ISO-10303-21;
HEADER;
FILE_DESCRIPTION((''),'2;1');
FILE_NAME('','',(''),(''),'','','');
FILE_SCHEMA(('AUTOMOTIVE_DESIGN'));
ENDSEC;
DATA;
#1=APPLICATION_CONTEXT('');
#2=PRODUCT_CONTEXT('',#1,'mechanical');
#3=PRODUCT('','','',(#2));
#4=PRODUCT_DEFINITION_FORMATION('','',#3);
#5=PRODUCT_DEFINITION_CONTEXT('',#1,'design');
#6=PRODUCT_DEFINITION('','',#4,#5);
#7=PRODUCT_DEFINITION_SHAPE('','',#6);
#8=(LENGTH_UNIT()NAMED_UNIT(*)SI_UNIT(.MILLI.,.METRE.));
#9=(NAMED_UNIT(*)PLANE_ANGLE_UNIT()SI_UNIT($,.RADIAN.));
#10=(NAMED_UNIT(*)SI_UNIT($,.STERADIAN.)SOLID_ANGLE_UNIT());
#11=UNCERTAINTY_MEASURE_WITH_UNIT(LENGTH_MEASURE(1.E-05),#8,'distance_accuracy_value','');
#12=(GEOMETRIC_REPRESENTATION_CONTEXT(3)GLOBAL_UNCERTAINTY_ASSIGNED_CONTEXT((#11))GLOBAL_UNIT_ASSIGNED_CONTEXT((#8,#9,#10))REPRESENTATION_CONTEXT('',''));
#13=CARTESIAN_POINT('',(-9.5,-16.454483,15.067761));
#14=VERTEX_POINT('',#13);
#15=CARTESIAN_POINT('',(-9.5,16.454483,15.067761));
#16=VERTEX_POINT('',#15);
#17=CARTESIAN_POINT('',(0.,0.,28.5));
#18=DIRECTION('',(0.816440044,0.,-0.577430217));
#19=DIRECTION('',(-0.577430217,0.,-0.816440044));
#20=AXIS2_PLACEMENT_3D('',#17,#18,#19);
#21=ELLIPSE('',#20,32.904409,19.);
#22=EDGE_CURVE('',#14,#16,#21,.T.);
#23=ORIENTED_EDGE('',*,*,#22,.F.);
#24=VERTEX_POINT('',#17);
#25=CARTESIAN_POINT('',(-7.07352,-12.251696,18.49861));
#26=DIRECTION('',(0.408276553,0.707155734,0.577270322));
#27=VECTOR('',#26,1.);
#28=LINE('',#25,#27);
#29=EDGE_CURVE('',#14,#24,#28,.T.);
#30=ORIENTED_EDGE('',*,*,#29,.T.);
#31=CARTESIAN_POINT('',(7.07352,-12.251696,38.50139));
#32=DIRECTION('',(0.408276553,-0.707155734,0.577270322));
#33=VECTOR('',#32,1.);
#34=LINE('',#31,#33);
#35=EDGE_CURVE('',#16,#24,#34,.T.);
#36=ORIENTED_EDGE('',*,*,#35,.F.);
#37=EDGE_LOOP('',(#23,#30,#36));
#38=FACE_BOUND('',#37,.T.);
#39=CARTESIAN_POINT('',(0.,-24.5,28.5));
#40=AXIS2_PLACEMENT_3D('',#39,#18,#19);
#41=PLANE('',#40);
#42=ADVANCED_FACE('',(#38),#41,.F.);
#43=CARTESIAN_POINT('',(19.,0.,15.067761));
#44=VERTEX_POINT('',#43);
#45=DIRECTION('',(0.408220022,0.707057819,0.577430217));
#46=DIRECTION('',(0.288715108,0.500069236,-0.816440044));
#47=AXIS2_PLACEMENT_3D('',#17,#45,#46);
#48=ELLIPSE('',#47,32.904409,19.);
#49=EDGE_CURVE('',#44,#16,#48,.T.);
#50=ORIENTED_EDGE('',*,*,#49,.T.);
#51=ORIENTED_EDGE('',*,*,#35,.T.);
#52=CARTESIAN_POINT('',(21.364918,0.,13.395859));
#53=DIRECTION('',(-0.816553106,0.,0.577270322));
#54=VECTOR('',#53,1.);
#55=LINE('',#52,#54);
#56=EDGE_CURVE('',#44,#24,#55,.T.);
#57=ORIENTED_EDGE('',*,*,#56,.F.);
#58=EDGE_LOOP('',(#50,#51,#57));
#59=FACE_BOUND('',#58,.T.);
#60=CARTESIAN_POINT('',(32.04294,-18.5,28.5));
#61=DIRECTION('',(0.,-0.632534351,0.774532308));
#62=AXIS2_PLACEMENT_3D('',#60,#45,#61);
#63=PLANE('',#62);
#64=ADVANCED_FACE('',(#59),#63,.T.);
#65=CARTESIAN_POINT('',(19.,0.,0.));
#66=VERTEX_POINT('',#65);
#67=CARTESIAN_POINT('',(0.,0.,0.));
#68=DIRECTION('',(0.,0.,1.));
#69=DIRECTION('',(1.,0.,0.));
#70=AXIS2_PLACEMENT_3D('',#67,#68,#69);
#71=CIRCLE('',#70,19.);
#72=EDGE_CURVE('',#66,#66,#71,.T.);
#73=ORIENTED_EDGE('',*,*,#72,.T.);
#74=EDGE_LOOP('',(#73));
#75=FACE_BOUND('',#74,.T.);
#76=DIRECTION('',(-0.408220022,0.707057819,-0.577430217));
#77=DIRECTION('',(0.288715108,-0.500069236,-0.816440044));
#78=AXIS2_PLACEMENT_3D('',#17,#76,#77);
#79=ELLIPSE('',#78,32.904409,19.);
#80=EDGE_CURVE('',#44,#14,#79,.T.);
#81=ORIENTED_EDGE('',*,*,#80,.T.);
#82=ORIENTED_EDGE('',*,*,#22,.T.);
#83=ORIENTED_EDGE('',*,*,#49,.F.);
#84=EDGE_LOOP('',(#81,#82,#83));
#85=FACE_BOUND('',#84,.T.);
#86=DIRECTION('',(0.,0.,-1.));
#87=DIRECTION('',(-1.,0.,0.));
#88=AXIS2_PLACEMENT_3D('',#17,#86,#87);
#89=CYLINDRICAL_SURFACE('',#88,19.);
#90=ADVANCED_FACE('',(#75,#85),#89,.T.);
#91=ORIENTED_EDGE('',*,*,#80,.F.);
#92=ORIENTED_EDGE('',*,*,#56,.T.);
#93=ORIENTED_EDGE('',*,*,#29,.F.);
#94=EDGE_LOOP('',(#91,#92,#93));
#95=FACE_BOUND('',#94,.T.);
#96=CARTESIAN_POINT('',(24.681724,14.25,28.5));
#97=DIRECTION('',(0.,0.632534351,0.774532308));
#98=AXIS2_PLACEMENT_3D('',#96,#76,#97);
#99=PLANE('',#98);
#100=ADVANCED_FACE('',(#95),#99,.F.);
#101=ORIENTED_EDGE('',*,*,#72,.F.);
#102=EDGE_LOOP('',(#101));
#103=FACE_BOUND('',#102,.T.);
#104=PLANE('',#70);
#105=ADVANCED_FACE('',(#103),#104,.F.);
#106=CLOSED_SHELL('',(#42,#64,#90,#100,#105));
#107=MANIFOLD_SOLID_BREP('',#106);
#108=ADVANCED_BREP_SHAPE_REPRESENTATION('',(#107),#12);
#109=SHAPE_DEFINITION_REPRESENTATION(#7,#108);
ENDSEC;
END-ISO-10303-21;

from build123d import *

# Parameters (mm, degrees)
SKETCH_1_R          = 19
EXTRUDE_1_DEPTH     = 28.5
CUT_EXTRUDE_1_DEPTH = 24.5
CUT_EXTRUDE_2_DEPTH = 37
CUT_EXTRUDE_3_DEPTH = 28.5


with BuildPart() as part:
    # 草图1 → 凸台-拉伸1 (new body)
    with BuildSketch(Plane.XY):
        Circle(SKETCH_1_R)
    extrude(amount=EXTRUDE_1_DEPTH)

    # 草图2 → 切除-拉伸1 (cut, symmetric)
    with BuildSketch(Plane(origin=(0, 0, 0), x_dir=(1, 0, 0), z_dir=(0, 1, 0))):
        Polygon((0, -28.5), (-22.967769977, 3.974585824), (-22.967769977, -37.518896878), (0, -37.518896878), align=None)
    extrude(amount=CUT_EXTRUDE_1_DEPTH, both=True, mode=Mode.SUBTRACT)

    # 草图4 → 切除-拉伸2 (cut, symmetric)
    with BuildSketch(Plane(origin=(0, 0, 0), x_dir=(0.5, 0.866025404, 0), z_dir=(0.866025404, -0.5, 0))):
        Polygon((0, 28.5), (68.254426356, -68.006288105), (68.254426356, 39.794321241), (0, 39.794321241), align=None)
    extrude(amount=CUT_EXTRUDE_2_DEPTH, both=True, mode=Mode.SUBTRACT)

    # 草图5 → 切除-拉伸3 (cut, symmetric)
    with BuildSketch(Plane(origin=(0, 0, 0), x_dir=(0.5, -0.866025404, 0), z_dir=(-0.866025404, -0.5, 0))):
        Polygon((0, 28.5), (25.869335206, -8.07716649), (25.869335206, 34.9969783), (-0.936236718, 34.9969783), align=None)
    extrude(amount=CUT_EXTRUDE_3_DEPTH, both=True, mode=Mode.SUBTRACT)


solid = part.part
